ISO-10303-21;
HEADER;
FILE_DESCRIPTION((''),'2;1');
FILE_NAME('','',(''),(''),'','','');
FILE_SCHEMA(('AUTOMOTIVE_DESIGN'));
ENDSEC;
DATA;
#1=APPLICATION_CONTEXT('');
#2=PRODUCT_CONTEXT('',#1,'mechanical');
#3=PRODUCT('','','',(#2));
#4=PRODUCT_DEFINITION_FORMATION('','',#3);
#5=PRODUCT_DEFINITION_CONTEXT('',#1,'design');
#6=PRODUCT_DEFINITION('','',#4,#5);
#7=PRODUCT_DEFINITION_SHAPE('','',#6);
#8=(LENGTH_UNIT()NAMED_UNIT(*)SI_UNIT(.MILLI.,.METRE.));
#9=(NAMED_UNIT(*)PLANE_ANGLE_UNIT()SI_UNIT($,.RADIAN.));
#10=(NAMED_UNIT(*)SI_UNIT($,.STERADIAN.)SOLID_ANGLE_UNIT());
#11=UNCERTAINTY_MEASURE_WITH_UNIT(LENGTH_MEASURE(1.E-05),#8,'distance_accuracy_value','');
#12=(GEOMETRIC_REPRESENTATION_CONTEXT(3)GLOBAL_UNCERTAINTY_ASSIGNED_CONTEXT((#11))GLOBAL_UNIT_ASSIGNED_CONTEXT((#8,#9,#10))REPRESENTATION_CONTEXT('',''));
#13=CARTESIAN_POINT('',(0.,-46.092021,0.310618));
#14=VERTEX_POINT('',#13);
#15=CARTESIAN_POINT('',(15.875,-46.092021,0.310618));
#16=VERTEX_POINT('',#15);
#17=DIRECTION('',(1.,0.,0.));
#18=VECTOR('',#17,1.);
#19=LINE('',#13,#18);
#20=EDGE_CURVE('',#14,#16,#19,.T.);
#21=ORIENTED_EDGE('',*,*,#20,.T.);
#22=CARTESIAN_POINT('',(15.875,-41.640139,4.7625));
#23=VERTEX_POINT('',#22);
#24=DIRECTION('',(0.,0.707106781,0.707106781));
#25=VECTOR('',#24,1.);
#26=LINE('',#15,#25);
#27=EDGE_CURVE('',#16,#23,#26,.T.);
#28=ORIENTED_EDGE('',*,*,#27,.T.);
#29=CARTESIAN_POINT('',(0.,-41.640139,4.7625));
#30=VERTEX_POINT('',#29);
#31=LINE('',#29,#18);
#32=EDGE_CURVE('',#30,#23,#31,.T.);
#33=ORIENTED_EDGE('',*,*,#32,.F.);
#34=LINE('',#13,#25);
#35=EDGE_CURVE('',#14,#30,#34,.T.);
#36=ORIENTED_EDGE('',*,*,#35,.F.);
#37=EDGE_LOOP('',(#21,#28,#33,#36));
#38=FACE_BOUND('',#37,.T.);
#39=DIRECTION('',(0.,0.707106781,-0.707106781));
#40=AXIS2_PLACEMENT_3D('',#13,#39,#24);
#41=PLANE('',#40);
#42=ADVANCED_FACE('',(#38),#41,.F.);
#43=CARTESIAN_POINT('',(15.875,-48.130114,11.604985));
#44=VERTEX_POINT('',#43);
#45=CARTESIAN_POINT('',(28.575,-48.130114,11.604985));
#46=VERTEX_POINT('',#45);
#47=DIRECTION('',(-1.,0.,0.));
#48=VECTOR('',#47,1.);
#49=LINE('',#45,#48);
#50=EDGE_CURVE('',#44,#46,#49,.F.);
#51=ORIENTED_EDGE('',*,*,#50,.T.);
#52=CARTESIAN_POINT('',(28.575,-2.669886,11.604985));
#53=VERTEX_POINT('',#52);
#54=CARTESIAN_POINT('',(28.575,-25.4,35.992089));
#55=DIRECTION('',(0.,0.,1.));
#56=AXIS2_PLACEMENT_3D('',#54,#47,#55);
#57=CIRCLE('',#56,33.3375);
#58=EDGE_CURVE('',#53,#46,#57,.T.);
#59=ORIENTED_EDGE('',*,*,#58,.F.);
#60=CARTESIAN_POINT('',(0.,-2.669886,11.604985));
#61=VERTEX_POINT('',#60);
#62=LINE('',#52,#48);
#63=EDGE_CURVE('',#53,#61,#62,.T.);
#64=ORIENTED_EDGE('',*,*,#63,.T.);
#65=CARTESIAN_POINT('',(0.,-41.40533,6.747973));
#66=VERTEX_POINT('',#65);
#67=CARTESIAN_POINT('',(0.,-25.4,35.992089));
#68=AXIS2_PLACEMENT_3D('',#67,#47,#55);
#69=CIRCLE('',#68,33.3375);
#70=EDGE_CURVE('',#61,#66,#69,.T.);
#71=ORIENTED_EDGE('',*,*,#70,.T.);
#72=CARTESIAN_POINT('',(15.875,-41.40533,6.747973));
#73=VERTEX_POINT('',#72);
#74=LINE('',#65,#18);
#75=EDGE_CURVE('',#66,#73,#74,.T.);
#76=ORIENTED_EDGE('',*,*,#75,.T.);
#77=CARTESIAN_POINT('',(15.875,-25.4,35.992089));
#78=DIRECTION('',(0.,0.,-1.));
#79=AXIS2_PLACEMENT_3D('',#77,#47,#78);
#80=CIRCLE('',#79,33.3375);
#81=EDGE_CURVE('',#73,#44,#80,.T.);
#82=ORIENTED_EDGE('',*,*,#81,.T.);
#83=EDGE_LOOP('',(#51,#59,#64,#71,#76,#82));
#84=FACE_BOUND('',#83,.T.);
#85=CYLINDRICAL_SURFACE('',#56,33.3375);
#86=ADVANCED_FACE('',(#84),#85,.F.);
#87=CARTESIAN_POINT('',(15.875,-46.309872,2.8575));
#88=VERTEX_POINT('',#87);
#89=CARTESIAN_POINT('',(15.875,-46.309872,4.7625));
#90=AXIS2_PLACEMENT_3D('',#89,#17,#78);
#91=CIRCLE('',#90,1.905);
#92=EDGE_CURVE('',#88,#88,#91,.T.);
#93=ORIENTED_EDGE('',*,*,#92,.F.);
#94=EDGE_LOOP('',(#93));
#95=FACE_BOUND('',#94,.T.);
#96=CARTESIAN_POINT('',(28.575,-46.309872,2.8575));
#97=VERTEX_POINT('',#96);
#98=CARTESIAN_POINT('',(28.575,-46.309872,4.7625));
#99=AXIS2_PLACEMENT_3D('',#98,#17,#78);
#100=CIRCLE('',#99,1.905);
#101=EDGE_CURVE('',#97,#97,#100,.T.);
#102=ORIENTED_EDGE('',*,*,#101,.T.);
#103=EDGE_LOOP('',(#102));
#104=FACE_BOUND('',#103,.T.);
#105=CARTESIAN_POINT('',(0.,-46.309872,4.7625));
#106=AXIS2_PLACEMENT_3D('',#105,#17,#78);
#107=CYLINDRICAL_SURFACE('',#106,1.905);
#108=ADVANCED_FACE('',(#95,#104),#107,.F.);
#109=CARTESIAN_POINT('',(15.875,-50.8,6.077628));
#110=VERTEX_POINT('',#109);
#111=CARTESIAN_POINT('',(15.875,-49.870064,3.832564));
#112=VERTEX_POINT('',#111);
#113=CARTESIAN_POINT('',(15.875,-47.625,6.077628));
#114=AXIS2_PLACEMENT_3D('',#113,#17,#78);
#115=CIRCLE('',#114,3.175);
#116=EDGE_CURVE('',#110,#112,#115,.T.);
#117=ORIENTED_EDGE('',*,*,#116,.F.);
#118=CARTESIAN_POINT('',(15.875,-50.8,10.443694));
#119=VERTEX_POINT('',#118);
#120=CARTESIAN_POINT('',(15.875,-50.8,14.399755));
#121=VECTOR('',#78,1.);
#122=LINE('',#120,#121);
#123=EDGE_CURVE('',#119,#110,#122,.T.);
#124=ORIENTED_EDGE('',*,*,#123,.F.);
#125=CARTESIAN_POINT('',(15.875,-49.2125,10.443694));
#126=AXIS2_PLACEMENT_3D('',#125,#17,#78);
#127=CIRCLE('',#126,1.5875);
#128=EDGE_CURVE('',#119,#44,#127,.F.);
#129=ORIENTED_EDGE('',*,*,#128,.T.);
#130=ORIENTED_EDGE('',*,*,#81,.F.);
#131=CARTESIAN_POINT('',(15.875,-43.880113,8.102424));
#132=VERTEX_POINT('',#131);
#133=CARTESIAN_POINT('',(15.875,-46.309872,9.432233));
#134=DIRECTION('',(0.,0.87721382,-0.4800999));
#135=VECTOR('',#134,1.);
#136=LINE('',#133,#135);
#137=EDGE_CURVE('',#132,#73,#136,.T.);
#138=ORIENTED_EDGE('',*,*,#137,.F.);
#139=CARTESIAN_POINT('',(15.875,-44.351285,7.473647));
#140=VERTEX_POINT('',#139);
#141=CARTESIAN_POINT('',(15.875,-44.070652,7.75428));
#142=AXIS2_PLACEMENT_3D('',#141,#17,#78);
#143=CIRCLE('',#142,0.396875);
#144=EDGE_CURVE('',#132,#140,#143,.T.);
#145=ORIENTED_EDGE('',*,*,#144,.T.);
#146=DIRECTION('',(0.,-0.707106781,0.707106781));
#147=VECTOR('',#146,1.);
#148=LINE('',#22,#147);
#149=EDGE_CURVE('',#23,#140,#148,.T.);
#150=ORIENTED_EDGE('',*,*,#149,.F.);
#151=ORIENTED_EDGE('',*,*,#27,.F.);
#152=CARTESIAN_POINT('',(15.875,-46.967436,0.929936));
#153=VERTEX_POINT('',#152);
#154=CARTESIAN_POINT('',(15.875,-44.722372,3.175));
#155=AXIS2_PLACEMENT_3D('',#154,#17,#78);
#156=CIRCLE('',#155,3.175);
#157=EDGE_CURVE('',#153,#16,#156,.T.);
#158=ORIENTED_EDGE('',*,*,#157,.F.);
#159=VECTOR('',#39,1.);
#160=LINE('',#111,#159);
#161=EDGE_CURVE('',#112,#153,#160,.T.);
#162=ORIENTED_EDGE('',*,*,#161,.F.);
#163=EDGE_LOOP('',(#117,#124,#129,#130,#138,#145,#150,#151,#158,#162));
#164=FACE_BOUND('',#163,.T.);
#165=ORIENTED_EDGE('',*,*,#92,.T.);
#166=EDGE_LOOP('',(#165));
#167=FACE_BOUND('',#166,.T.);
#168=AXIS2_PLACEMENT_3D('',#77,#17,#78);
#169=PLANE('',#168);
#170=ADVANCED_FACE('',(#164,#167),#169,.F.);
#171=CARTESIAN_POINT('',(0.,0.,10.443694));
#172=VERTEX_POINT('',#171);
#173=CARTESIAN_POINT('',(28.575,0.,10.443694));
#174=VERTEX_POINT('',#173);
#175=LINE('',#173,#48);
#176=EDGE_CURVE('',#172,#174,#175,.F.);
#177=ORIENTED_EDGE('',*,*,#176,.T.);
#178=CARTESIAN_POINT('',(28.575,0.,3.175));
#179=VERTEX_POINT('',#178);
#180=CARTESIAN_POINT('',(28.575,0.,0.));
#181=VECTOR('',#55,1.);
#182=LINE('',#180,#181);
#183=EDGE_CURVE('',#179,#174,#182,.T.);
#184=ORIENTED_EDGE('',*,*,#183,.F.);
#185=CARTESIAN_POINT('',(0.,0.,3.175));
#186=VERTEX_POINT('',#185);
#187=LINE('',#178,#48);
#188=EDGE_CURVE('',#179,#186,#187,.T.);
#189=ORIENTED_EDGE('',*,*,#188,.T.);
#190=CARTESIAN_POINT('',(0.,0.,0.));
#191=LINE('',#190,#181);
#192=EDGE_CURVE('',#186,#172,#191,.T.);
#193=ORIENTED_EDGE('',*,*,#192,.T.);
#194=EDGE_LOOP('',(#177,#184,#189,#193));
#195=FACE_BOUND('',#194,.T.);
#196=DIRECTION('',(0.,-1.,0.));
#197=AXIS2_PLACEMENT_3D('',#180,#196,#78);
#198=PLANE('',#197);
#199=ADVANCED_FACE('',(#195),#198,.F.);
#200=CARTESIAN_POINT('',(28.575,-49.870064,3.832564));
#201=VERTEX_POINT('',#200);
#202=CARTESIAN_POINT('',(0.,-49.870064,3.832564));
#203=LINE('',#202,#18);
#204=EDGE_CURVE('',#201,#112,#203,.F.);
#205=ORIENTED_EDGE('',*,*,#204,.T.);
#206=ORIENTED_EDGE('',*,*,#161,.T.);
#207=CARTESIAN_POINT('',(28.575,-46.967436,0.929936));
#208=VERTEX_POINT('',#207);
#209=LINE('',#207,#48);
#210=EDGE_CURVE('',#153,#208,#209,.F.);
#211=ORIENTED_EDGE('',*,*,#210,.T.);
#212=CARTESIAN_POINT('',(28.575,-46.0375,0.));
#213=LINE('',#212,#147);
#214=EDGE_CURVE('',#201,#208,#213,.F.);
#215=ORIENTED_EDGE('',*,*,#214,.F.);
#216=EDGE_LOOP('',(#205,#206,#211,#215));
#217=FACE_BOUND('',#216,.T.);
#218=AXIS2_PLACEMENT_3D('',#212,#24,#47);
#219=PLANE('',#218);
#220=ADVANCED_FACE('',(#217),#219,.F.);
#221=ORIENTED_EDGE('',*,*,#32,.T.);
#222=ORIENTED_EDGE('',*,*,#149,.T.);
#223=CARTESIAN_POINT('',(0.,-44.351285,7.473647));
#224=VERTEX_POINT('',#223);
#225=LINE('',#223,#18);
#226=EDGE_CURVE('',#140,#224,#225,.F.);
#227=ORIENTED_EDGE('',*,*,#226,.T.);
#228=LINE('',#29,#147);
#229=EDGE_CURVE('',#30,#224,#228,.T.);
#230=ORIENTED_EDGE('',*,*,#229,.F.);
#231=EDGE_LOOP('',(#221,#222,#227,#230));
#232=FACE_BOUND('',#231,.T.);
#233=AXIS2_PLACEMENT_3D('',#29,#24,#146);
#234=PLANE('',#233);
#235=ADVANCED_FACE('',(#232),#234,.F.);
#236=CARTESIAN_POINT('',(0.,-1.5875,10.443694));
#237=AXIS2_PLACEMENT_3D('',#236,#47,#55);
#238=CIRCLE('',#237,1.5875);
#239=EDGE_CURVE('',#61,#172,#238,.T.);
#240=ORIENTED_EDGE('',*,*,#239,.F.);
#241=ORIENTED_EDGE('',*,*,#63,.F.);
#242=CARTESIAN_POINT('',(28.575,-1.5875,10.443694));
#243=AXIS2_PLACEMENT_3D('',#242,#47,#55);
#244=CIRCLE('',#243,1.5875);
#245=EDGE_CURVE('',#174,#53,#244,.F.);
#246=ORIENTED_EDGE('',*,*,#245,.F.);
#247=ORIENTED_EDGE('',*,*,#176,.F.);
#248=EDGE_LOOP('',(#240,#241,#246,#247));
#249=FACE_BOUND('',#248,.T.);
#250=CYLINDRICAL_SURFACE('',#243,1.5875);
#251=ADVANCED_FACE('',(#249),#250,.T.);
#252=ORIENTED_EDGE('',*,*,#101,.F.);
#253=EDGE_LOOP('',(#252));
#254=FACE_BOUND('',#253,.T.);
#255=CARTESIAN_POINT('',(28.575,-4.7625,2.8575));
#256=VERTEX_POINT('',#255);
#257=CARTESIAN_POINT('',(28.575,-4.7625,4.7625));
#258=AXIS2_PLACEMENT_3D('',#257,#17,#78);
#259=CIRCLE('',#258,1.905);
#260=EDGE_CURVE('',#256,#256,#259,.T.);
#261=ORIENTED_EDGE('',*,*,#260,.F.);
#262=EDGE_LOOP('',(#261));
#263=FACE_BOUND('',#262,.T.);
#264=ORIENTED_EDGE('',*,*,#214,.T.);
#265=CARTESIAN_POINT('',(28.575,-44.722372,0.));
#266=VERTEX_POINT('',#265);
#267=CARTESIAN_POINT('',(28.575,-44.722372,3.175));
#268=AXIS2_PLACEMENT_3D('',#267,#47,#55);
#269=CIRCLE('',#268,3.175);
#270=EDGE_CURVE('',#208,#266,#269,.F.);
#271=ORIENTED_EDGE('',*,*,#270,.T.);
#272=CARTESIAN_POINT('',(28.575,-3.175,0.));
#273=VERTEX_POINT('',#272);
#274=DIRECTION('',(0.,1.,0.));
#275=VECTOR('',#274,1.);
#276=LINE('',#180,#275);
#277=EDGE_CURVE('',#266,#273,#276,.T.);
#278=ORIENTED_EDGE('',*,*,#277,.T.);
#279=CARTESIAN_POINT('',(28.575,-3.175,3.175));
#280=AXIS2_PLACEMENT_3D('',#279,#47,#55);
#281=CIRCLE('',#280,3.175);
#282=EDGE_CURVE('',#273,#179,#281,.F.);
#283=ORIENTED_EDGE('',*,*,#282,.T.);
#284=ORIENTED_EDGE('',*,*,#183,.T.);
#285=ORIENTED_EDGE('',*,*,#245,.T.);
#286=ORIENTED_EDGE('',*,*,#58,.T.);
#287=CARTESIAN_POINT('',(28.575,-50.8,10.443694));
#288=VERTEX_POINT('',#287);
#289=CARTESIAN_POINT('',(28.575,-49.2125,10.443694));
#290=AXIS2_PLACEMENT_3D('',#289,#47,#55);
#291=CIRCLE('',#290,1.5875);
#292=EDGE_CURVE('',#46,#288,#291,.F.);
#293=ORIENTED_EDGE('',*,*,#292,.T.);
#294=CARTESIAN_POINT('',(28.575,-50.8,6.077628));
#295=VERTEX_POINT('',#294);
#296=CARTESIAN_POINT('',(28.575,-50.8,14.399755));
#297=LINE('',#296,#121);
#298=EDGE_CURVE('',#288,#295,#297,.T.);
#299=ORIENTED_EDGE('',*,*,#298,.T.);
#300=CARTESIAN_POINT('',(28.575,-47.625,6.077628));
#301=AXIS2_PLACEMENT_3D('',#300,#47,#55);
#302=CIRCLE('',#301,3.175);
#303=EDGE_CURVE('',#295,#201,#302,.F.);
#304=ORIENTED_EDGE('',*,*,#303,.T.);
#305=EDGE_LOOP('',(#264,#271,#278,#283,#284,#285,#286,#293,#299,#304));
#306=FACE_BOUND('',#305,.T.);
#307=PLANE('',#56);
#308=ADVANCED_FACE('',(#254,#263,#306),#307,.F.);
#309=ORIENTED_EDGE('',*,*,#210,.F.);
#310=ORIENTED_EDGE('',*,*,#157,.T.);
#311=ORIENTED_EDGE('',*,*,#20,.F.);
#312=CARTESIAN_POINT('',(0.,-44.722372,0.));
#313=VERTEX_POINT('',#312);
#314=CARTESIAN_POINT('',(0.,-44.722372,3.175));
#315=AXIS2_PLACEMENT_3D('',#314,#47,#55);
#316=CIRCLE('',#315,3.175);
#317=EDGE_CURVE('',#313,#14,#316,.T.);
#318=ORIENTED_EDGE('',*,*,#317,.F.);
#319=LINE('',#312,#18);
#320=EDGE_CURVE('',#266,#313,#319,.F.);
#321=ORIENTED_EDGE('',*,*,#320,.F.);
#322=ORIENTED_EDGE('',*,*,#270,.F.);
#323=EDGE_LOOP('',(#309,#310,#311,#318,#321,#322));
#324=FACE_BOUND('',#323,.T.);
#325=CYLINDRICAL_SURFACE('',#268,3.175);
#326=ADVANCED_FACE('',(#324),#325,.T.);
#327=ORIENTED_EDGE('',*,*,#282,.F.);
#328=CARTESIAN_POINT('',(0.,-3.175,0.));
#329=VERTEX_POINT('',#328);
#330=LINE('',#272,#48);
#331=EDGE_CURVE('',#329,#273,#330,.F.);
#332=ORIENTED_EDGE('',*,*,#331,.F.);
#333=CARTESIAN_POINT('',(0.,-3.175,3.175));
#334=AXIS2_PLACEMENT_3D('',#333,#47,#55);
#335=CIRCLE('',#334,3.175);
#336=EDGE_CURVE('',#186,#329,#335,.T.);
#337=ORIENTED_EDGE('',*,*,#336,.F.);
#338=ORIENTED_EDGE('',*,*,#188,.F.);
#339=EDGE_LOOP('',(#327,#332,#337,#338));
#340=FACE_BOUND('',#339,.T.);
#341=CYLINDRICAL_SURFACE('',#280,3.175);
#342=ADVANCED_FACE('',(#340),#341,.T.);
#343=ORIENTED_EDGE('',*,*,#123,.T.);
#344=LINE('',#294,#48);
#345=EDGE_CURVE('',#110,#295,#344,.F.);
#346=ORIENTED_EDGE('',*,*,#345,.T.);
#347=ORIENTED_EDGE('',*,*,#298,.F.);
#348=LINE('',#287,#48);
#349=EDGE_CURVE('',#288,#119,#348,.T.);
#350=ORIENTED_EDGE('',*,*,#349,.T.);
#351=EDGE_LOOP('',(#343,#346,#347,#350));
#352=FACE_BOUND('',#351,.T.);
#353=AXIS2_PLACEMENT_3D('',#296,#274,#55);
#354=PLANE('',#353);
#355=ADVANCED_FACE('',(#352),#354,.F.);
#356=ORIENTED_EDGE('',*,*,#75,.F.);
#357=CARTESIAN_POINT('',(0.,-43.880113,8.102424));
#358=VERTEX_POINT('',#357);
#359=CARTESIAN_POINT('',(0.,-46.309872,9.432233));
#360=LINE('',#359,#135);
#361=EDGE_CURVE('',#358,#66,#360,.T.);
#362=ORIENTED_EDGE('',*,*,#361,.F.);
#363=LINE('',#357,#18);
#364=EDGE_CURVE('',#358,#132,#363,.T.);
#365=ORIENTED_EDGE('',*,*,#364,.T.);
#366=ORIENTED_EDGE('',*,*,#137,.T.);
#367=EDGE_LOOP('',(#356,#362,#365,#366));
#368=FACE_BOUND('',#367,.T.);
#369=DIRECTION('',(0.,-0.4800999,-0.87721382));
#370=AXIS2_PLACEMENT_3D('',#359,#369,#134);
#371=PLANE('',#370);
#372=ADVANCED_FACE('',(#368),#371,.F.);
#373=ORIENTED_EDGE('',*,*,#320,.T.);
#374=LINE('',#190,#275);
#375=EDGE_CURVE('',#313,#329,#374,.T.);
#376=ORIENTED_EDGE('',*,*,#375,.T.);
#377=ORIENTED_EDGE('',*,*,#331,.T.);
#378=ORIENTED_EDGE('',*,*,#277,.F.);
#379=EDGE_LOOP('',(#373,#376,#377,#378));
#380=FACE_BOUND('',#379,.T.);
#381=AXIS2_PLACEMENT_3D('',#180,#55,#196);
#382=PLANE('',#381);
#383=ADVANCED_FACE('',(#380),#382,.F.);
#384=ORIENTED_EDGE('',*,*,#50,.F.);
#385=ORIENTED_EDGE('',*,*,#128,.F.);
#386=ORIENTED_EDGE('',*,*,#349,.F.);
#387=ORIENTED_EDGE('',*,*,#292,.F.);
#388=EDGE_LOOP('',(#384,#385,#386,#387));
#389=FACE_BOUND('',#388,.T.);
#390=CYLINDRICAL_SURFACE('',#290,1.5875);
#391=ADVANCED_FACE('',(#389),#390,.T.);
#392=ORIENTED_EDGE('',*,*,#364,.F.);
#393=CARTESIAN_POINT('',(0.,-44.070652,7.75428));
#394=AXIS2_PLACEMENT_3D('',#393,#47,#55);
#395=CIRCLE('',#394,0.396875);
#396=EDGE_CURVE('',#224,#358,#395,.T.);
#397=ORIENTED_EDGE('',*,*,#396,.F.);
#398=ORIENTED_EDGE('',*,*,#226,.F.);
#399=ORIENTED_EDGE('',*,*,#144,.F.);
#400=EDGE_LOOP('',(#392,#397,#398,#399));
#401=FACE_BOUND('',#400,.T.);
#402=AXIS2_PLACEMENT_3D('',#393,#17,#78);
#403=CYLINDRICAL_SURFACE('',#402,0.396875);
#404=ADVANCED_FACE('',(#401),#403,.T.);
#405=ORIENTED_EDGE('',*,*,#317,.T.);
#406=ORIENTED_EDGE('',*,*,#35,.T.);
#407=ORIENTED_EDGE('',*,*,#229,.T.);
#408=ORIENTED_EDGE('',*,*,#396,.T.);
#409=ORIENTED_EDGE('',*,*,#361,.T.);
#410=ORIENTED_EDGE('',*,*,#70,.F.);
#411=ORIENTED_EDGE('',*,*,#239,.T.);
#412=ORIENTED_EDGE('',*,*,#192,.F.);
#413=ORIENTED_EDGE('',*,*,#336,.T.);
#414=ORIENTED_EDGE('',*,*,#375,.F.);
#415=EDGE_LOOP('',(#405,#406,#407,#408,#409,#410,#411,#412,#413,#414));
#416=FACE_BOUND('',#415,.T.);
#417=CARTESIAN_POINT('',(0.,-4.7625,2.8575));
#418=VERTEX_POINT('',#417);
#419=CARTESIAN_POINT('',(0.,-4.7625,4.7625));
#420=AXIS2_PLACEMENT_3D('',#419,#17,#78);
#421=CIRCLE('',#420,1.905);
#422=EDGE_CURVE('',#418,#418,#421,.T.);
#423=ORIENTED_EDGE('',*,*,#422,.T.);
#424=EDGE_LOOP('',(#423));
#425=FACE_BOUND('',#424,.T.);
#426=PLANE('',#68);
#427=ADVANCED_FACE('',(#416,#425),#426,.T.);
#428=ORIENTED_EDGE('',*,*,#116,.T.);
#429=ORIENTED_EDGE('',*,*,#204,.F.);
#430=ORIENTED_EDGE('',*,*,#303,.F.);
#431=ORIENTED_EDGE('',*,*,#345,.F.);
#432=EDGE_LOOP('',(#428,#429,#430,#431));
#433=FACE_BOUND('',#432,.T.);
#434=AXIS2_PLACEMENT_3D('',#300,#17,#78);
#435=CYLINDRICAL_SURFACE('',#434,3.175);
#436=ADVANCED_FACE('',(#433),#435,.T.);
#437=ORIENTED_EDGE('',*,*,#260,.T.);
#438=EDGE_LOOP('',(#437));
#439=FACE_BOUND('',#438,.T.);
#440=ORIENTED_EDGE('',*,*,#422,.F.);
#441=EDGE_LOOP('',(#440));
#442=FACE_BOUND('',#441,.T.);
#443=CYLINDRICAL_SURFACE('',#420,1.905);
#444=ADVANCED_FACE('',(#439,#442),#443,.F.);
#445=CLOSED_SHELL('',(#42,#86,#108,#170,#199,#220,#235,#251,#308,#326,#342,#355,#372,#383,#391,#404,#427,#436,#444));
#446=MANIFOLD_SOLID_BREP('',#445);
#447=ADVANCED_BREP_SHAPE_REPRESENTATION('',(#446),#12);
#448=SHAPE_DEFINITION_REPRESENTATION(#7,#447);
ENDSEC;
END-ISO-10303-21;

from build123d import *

# Parameters (mm, degrees)
BOSS_EXTRUDE1_DEPTH = 28.575
CHAMFER1_SIZE       = 4.7625
FILLET3_R           = 3.175
CUT_EXTRUDE1_START  = -12.7
CUT_EXTRUDE1_DEPTH  = 48.337684469
FILLET4_R           = 0.396875
FILLET5_R           = 3.175
FILLET6_R           = 1.5875
SKETCH3_R           = 1.905
CUT_EXTRUDE2_DEPTH  = 60.514034165


with BuildPart() as part:
    # Sketch1 → Boss-Extrude1 (new body)
    with BuildSketch(Plane(origin=(0, 0, 0), x_dir=(0, 0, -1), z_dir=(1, 0, 0))):
        with BuildLine():
            Line((0, 0), (-14.399754562, 0))
            ThreePointArc((-14.399754562, 0), (-2.654588994, -25.4), (-14.399754562, -50.8))
            Line((-14.399754562, -50.8), (0, -50.8))
            Line((0, -50.8), (0, 0))
        make_face()
    extrude(amount=BOSS_EXTRUDE1_DEPTH)

    # Chamfer1
    chamfer1_edges = [part.edges().sort_by_distance(p)[0] for p in [
        (14.2875, -50.8, 0),
    ]]
    chamfer(chamfer1_edges, length=CHAMFER1_SIZE)

    # Fillet3
    fillet3_edges = [part.edges().sort_by_distance(p)[0] for p in [
        (14.2875, -46.0375, 0),
        (14.2875, -50.8, 4.7625),
    ]]
    fillet(fillet3_edges, radius=FILLET3_R)

    # Sketch2 → Cut-Extrude1 (cut, through all)
    with BuildSketch(Plane(origin=(28.575, 0, 0), x_dir=(0, 0, -1), z_dir=(1, 0, 0)).offset(CUT_EXTRUDE1_START)):
        with BuildLine():
            Line((-9.432233183, -46.30987194), (-6.747973263, -41.405330404))
            ThreePointArc((-6.747973263, -41.405330404), (-10.143469679, -46.453213193), (-14.399754562, -50.8))
            Line((-14.399754562, -50.8), (-6.077628061, -50.8))
            ThreePointArc((-6.077628061, -50.8), (-4.862608163, -50.558317516), (-3.83256403, -49.87006403))
            Line((-3.83256403, -49.87006403), (-0.92993597, -46.96743597))
            ThreePointArc((-0.92993597, -46.96743597), (-0.583051244, -46.556064021), (-0.31061766, -46.092021096))
            Line((-0.31061766, -46.092021096), (-4.7625, -41.640138757))
            Line((-4.7625, -41.640138757), (-9.432233183, -46.30987194))
        make_face()
    extrude(amount=-CUT_EXTRUDE1_DEPTH, mode=Mode.SUBTRACT)

    # Fillet4
    fillet4_edges = [part.edges().sort_by_distance(p)[0] for p in [
        (7.9375, -46.30987194, 9.432233183),
    ]]
    fillet(fillet4_edges, radius=FILLET4_R)

    # Fillet5
    fillet5_edges = [part.edges().sort_by_distance(p)[0] for p in [
        (14.2875, 0, 0),
    ]]
    fillet(fillet5_edges, radius=FILLET5_R)

    # Fillet6
    fillet6_edges = [part.edges().sort_by_distance(p)[0] for p in [
        (22.225, -50.8, 14.399754562),
        (14.2875, 0, 14.399754562),
    ]]
    fillet(fillet6_edges, radius=FILLET6_R)

    # Sketch3 → Cut-Extrude2 (cut, through all)
    with BuildSketch(Plane(origin=(28.575, 0, 0), x_dir=(0, 0, -1), z_dir=(1, 0, 0))):
        with Locations((-4.7625, -4.7625)):
            Circle(SKETCH3_R)
        with Locations((-4.7625, -46.309871939)):
            Circle(SKETCH3_R)
    extrude(amount=-CUT_EXTRUDE2_DEPTH, mode=Mode.SUBTRACT)


solid = part.part
